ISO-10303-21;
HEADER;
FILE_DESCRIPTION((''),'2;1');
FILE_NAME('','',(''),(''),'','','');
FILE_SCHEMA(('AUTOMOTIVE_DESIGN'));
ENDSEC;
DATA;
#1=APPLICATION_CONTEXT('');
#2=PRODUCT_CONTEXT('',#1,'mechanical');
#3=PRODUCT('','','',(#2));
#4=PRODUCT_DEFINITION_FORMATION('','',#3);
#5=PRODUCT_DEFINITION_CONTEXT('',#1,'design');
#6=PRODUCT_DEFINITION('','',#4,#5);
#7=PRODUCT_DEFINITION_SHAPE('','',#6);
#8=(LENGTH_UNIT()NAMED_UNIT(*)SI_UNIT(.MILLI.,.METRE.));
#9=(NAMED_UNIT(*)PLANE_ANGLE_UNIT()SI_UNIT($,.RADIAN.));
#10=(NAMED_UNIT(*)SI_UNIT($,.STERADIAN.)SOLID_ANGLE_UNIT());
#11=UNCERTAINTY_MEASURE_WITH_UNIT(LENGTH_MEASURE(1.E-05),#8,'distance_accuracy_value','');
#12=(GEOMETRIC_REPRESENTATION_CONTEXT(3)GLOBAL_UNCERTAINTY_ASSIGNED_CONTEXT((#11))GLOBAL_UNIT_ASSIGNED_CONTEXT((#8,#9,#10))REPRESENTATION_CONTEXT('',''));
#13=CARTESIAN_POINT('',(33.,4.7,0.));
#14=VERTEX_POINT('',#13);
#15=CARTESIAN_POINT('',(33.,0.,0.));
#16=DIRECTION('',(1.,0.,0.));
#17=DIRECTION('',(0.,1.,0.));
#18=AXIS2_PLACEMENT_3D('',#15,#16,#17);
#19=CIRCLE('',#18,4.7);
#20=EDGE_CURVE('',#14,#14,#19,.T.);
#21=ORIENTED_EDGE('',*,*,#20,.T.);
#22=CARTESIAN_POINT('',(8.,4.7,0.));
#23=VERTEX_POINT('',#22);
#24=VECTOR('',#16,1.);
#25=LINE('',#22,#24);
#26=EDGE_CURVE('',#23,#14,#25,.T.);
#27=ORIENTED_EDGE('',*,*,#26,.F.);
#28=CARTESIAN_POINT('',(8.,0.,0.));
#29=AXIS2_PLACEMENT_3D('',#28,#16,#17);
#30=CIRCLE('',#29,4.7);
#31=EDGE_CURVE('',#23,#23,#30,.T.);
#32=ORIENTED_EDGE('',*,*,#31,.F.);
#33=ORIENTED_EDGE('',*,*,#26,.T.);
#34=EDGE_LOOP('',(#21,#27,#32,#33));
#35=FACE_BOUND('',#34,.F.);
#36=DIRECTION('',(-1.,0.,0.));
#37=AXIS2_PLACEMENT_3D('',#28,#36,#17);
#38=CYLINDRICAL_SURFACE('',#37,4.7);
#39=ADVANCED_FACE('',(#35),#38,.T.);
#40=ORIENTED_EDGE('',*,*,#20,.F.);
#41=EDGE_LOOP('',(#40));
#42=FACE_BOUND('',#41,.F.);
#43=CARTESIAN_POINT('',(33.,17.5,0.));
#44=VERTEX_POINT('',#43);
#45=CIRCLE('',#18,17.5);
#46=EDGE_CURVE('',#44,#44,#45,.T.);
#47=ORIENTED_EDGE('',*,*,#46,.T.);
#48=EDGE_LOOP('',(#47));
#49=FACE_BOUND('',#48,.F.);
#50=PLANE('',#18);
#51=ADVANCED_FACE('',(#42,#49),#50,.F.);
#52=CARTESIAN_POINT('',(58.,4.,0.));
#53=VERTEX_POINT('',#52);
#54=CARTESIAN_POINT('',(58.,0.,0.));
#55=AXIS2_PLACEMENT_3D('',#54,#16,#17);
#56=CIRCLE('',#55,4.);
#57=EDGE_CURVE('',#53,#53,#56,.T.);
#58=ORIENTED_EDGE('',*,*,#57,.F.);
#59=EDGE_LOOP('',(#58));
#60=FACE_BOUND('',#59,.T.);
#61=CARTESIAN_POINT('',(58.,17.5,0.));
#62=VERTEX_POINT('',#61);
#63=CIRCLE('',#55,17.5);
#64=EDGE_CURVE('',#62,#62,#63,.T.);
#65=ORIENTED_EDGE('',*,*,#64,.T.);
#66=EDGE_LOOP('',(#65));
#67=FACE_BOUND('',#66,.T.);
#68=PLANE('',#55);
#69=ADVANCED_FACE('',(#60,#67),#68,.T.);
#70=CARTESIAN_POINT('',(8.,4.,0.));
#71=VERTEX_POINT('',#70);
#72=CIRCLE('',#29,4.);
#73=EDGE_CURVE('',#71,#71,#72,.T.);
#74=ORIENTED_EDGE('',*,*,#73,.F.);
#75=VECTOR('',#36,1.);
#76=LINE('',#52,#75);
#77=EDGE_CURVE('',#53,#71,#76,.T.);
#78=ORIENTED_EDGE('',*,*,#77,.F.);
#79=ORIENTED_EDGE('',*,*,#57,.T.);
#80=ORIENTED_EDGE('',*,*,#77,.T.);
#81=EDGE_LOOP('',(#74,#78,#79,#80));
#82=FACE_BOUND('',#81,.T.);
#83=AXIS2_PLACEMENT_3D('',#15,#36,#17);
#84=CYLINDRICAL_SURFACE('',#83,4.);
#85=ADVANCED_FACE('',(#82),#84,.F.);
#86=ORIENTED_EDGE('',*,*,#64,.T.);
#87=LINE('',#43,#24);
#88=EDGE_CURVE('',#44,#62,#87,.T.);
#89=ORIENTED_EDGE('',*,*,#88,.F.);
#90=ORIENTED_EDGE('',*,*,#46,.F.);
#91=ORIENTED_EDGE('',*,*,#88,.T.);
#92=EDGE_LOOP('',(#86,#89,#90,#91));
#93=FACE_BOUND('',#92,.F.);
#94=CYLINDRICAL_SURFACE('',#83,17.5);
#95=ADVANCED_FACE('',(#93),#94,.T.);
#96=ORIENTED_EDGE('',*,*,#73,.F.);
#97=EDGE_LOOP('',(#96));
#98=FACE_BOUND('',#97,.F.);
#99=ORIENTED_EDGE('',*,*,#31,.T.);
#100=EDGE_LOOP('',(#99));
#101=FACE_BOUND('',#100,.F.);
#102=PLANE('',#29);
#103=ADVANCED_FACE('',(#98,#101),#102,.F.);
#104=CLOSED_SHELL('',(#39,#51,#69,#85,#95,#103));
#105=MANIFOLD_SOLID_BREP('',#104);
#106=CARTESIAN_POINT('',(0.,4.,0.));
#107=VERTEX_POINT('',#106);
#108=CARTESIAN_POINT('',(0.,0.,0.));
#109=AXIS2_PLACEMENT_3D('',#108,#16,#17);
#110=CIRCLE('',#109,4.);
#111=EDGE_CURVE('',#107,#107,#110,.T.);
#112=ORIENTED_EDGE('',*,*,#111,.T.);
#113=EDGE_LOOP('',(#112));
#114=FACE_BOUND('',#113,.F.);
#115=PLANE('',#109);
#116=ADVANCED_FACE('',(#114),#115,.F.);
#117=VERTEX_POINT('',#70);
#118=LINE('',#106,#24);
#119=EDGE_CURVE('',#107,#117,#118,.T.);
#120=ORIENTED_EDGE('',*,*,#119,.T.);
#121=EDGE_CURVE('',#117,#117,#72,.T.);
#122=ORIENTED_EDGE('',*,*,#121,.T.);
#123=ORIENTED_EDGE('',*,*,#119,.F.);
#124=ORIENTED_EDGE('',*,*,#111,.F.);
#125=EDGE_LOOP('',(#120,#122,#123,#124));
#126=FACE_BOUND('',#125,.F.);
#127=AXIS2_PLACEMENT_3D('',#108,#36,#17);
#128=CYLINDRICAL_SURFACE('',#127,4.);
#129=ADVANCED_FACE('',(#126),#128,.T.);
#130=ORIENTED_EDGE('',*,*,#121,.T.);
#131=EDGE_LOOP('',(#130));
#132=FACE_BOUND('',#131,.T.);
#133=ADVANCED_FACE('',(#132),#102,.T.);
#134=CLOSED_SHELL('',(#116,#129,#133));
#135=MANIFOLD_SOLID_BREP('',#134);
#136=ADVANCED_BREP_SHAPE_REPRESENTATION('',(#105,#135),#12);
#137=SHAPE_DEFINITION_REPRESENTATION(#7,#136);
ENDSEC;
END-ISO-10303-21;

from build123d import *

# Parameters (mm, degrees)
F0_R     = 4
F1_DEPTH = 8
F2_R     = 4.7
F2_R_2   = 4
F3_DEPTH = 25
F4_R     = 17.5
F4_R_2   = 4.7
F4_R_3   = 4
F5_DEPTH = 25


with BuildPart() as f1:
    # F0 (on Right) → F1 (new body)
    with BuildSketch(Plane.YZ):
        Circle(F0_R)
    extrude(amount=F1_DEPTH)

    # F2 (on face) → F3 (join)
    with BuildSketch(Plane.YZ.offset(8)):
        Circle(F2_R)
        Circle(F2_R_2, mode=Mode.SUBTRACT)
    extrude(amount=F3_DEPTH)

    # F4 (on face) → F5 (join)
    with BuildSketch(Plane.YZ.offset(33)):
        Circle(F4_R)
        Circle(F4_R_2, mode=Mode.SUBTRACT)
        Circle(F4_R_2)
        Circle(F4_R_3, mode=Mode.SUBTRACT)
    extrude(amount=F5_DEPTH)


solid = f1.part
